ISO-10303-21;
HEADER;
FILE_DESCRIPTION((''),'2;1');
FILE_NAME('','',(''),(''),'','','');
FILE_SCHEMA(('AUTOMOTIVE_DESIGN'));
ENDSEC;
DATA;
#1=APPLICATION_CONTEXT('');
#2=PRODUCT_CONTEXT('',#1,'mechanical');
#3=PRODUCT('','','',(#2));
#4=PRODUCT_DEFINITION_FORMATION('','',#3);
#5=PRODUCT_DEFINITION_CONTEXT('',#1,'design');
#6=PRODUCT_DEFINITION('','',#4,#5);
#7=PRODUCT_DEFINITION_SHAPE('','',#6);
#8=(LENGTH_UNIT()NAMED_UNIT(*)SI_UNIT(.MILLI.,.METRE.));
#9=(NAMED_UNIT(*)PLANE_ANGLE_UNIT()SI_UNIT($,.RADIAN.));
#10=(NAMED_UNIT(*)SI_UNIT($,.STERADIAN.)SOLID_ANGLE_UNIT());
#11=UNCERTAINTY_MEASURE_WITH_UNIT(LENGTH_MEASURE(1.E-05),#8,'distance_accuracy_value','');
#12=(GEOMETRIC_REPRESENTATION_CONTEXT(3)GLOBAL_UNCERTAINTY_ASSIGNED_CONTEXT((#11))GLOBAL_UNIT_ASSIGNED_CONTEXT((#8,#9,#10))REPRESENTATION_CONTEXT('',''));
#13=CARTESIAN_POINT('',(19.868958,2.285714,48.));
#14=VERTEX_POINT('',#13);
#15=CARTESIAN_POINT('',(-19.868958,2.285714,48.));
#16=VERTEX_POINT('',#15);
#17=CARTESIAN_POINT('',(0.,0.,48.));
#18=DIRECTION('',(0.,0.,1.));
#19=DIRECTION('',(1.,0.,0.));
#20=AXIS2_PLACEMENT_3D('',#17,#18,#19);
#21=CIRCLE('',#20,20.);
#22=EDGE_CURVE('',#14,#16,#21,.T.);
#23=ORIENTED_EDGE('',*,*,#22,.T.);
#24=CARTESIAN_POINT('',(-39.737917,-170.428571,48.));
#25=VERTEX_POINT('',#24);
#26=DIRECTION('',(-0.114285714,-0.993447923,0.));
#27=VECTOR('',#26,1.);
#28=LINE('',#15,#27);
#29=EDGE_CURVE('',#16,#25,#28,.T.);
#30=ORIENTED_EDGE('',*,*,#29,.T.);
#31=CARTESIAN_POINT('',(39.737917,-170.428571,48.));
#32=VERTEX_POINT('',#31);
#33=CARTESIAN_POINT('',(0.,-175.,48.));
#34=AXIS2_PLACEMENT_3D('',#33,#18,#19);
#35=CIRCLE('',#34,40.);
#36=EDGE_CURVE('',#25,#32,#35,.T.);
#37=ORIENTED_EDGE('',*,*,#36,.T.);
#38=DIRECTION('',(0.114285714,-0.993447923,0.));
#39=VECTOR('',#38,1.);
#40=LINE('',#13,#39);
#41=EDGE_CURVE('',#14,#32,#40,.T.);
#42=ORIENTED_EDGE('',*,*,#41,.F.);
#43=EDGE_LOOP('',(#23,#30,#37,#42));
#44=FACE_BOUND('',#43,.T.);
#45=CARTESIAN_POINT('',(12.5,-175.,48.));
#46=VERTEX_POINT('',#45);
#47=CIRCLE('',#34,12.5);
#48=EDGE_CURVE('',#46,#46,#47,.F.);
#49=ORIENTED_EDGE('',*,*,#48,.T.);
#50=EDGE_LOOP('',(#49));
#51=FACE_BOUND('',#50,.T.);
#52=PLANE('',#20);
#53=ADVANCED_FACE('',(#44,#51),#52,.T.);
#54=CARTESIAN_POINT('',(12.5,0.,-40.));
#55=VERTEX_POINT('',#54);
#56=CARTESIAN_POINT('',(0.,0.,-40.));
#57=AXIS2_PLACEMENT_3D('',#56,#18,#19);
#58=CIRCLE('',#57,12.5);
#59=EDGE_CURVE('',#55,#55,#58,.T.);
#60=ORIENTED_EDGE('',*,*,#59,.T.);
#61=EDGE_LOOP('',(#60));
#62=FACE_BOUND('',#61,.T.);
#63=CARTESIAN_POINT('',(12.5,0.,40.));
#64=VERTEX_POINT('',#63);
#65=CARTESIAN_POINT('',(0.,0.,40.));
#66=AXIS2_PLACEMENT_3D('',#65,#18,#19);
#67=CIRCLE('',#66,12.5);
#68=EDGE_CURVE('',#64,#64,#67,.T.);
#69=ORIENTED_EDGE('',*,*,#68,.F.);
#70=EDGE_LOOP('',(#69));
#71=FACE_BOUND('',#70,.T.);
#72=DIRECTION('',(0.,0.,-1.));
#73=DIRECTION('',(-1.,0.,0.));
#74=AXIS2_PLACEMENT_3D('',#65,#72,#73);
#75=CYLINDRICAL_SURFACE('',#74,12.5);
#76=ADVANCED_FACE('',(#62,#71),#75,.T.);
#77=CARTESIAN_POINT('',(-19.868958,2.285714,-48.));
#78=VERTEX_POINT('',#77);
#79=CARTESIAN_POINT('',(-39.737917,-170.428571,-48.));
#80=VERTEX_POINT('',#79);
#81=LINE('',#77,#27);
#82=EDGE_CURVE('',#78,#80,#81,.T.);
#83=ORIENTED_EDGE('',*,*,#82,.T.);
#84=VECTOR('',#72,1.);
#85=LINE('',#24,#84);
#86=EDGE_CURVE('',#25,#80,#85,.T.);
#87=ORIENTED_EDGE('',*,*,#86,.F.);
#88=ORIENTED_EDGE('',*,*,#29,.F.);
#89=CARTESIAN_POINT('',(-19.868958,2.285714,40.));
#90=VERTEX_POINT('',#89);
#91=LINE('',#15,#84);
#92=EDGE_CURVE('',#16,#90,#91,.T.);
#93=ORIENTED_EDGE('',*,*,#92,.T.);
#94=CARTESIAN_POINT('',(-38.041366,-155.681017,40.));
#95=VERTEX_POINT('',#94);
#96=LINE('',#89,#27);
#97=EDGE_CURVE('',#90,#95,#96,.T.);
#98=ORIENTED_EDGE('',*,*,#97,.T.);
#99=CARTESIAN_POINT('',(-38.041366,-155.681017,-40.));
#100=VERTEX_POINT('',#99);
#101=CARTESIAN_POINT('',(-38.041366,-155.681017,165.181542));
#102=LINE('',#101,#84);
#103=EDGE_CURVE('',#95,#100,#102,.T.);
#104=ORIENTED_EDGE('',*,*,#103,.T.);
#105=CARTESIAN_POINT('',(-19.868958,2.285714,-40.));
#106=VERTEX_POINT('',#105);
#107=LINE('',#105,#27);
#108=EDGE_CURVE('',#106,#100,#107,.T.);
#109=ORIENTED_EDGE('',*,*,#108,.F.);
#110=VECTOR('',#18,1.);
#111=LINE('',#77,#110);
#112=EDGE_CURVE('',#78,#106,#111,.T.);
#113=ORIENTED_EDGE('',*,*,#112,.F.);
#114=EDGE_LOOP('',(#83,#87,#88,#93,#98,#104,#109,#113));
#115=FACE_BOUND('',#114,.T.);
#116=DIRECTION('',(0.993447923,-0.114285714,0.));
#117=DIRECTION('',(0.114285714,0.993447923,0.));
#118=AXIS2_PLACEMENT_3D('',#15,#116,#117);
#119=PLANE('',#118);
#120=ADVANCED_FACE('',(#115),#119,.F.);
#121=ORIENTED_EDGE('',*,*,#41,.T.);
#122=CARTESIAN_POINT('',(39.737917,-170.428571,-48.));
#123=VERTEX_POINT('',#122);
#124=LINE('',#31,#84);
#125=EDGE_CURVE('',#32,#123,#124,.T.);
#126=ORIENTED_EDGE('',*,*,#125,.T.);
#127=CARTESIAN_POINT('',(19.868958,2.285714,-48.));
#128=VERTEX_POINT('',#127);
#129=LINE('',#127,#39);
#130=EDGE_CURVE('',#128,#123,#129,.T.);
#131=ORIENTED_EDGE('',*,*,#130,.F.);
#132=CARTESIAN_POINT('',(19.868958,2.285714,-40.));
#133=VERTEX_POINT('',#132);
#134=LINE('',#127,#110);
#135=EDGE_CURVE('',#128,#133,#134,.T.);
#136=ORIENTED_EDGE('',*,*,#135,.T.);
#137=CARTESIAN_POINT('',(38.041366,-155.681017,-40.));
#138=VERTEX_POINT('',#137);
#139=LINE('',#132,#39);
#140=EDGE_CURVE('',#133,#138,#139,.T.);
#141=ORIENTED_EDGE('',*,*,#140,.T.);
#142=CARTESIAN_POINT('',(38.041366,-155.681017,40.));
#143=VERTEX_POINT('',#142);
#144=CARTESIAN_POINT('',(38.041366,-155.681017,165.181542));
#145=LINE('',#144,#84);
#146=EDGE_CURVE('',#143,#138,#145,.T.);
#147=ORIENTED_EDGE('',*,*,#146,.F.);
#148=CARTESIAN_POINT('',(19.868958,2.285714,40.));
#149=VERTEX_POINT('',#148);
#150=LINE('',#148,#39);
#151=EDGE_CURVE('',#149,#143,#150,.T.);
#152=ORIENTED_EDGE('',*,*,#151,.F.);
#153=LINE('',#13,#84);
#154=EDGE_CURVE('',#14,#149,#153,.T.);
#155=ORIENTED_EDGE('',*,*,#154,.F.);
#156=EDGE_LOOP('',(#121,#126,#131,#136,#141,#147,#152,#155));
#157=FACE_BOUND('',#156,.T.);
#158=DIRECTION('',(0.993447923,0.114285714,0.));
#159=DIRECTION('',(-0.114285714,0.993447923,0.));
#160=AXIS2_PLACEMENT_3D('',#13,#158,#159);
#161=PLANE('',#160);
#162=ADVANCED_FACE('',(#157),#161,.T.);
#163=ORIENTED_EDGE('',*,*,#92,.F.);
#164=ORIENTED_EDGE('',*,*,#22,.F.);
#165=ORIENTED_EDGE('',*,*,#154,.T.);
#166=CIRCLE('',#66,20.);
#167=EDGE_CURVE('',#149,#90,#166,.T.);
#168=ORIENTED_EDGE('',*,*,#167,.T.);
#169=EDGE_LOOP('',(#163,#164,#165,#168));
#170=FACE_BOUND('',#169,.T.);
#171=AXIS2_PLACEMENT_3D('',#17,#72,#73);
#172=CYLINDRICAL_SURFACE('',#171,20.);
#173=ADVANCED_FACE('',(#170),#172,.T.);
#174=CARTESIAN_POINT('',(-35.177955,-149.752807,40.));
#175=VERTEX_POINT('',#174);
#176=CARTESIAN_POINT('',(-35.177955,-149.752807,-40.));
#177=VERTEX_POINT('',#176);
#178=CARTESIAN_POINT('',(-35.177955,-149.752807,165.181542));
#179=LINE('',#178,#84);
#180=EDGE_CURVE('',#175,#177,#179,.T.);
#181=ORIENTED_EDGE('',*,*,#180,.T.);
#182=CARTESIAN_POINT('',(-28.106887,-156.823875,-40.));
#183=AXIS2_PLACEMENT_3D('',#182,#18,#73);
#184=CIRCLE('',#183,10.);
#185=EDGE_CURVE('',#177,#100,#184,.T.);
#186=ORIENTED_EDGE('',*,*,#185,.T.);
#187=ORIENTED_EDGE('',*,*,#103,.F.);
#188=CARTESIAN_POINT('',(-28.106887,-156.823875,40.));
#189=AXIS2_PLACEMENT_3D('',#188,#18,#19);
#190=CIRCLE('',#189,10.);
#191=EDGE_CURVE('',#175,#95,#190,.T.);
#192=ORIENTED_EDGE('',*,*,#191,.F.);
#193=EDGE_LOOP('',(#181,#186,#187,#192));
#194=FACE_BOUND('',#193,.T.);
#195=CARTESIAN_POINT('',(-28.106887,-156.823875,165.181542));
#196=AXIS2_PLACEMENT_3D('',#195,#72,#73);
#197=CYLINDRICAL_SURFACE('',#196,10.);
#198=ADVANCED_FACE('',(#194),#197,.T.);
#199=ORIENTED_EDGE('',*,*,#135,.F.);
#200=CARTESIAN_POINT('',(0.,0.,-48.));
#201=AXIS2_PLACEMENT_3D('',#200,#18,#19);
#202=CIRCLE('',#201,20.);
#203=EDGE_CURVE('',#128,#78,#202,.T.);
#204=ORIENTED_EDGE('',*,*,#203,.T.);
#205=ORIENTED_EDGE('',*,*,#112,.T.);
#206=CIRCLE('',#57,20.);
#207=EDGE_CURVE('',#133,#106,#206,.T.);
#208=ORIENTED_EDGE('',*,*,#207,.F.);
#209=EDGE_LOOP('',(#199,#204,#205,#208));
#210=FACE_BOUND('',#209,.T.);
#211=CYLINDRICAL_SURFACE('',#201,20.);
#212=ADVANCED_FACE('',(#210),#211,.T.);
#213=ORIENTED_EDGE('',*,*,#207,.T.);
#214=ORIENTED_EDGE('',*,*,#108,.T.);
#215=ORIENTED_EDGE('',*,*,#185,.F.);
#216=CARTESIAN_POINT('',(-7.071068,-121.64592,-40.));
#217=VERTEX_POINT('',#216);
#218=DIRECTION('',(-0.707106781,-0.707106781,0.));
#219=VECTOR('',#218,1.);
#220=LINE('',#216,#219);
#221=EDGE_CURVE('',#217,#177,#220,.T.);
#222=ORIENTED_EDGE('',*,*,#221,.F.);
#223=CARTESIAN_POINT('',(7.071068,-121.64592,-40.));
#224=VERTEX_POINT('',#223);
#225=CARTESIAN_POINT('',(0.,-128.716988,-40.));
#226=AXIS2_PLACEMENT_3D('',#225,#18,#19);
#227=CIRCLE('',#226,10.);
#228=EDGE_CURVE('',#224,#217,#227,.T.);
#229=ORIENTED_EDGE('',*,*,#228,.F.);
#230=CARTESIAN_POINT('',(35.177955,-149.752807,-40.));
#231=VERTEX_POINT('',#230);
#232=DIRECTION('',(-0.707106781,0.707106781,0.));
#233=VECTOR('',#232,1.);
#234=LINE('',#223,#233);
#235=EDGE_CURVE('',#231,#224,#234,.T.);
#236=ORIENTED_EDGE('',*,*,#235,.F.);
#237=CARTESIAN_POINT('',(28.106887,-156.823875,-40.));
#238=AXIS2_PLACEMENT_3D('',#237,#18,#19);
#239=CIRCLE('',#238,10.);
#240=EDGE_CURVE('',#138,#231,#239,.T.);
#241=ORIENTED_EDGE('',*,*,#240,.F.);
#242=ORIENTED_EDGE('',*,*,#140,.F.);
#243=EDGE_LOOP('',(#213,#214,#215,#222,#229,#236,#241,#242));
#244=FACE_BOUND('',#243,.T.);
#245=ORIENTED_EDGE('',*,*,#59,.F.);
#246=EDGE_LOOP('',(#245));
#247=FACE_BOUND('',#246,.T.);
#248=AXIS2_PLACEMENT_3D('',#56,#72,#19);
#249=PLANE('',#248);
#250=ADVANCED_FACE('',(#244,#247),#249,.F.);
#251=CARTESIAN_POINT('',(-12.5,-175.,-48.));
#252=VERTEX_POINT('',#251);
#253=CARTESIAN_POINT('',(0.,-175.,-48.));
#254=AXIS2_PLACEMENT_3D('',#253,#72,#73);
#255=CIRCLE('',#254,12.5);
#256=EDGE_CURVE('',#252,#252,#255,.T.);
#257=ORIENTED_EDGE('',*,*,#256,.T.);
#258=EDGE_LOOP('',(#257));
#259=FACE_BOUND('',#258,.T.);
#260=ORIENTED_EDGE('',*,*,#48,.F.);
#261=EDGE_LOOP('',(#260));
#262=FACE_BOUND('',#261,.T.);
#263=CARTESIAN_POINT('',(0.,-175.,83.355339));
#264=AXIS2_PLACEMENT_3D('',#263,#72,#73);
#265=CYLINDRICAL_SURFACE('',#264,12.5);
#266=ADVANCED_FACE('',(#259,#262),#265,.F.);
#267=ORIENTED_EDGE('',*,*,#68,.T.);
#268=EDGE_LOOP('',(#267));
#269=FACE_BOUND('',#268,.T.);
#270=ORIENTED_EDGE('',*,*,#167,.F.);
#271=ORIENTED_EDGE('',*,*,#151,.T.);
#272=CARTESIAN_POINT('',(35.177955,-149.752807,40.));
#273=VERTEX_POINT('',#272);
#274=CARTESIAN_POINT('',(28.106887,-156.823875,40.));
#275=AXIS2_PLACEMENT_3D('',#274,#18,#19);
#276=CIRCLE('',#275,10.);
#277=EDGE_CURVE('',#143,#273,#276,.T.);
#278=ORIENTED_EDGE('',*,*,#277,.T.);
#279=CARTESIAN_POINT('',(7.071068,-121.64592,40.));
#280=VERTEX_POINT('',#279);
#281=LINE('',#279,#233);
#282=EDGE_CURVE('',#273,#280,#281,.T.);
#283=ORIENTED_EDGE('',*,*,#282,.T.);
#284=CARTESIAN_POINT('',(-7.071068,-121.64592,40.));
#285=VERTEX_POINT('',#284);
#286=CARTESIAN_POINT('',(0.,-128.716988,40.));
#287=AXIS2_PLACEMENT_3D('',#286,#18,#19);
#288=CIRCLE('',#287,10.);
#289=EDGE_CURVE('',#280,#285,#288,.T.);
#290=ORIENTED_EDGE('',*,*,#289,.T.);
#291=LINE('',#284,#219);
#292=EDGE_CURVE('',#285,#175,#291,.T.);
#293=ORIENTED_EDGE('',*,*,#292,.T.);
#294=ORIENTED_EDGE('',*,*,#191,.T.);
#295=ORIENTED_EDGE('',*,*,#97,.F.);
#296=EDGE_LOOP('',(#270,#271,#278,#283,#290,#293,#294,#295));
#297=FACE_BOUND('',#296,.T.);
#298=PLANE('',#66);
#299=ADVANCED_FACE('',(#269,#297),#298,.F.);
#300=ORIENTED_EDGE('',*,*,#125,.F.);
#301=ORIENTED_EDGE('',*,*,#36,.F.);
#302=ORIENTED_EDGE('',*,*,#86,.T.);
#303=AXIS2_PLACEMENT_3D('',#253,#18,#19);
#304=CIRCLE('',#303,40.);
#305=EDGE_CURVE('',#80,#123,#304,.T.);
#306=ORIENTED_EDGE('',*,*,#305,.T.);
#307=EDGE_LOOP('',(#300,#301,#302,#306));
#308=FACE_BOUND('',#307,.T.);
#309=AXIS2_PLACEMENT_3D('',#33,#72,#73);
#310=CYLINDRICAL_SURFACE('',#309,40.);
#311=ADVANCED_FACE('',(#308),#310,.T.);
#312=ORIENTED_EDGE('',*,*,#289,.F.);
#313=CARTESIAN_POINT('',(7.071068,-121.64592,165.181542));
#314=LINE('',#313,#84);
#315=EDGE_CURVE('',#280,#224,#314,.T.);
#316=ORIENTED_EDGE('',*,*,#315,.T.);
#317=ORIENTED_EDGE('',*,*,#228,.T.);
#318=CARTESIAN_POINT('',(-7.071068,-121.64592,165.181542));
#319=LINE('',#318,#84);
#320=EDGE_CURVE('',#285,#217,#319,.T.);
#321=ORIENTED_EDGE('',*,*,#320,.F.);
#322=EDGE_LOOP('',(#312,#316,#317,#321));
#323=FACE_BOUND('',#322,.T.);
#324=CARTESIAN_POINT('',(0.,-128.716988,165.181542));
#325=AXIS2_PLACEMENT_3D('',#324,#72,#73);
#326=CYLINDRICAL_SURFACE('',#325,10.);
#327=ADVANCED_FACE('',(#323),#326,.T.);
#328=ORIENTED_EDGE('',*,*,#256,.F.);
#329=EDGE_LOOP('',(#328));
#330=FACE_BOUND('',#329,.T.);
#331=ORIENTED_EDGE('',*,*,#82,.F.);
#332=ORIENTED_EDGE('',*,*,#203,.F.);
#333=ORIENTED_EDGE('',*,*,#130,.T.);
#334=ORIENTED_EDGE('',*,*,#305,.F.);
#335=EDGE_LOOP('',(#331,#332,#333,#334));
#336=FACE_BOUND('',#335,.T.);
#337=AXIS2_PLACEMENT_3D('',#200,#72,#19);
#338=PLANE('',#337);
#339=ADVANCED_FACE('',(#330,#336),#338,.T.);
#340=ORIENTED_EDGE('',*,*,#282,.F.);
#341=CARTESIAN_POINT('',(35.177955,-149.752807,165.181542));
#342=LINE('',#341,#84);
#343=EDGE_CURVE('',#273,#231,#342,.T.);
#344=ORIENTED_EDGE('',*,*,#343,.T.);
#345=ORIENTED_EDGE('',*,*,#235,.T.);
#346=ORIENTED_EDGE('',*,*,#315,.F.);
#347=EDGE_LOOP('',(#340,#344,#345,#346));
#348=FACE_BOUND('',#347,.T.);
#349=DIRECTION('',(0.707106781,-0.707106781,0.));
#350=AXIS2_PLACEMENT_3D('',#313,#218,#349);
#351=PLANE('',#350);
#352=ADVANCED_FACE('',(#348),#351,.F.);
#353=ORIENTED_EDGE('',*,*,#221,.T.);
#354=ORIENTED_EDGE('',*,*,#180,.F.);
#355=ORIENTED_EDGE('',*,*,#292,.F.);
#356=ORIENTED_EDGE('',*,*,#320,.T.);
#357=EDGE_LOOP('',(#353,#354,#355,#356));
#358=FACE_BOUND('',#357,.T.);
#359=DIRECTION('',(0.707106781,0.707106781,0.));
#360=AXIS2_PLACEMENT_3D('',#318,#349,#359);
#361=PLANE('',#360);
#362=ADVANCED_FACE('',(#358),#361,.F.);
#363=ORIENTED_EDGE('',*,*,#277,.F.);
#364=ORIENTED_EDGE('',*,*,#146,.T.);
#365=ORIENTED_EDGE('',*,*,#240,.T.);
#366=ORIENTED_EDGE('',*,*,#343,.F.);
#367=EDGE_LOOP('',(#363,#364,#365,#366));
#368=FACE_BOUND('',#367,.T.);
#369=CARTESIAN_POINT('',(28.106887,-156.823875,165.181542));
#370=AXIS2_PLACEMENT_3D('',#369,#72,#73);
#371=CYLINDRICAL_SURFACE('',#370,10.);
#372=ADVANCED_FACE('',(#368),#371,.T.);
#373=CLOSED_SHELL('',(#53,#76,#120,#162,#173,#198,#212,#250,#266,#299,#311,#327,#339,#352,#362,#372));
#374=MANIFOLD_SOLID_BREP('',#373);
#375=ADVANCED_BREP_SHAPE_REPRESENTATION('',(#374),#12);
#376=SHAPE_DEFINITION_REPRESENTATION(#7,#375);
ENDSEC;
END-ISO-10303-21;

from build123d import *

# Parameters (mm, degrees)
SKETCH1_R           = 12.5
BOSS_EXTRUDE1_DEPTH = 40
BOSS_EXTRUDE2_DEPTH = 8
BOSS_EXTRUDE3_DEPTH = 80
SKETCH5_R           = 12.5
CUT_EXTRUDE1_DEPTH  = 96


with BuildPart() as part:
    # Sketch1 → Boss-Extrude1 (new, symmetric)
    with BuildSketch(Plane.XY):
        Circle(SKETCH1_R)
    extrude(amount=BOSS_EXTRUDE1_DEPTH, both=True)

    # Sketch2 → Boss-Extrude2 (add)
    with BuildSketch(Plane.XY.offset(40)):
        with BuildLine():
            Line((-19.868958458, 2.285714286), (-39.737916916, -170.428571429))
            ThreePointArc((-39.737916916, -170.428571429), (0, -215), (39.737916916, -170.428571429))
            Line((39.737916916, -170.428571429), (19.868958458, 2.285714286))
            ThreePointArc((19.868958458, 2.285714286), (0, 20), (-19.868958458, 2.285714286))
        make_face()
    boss_extrude2 = extrude(amount=BOSS_EXTRUDE2_DEPTH)

    # Mirror1: Boss-Extrude2 across plane
    add(boss_extrude2.mirror(Plane.XY))

    # Sketch4 → Boss-Extrude3 (add)
    with BuildSketch(Plane.XY.offset(-40)):
        with BuildLine():
            Line((-7.071067812, -121.645919803), (-35.177954833, -149.752806824))
            ThreePointArc((-35.177954833, -149.752806824), (-37.111501281, -152.47451583), (-38.04136625, -155.681017493))
            Line((-38.04136625, -155.681017493), (-39.737916916, -170.428571429))
            ThreePointArc((-39.737916916, -170.428571429), (0, -215), (39.737916916, -170.428571429))
            Line((39.737916916, -170.428571429), (38.04136625, -155.681017493))
            ThreePointArc((38.04136625, -155.681017493), (37.111501281, -152.47451583), (35.177954833, -149.752806824))
            Line((35.177954833, -149.752806824), (7.071067812, -121.645919803))
            ThreePointArc((7.071067812, -121.645919803), (0, -118.716987615), (-7.071067812, -121.645919803))
        make_face()
    extrude(amount=BOSS_EXTRUDE3_DEPTH)

    # Sketch5 → Cut-Extrude1 (cut)
    with BuildSketch(Plane(origin=(0, 0, -48), x_dir=(-1, 0, 0), z_dir=(0, 0, -1))):
        with Locations((0, -175)):
            Circle(SKETCH5_R)
    extrude(amount=-CUT_EXTRUDE1_DEPTH, mode=Mode.SUBTRACT)


solid = part.part
